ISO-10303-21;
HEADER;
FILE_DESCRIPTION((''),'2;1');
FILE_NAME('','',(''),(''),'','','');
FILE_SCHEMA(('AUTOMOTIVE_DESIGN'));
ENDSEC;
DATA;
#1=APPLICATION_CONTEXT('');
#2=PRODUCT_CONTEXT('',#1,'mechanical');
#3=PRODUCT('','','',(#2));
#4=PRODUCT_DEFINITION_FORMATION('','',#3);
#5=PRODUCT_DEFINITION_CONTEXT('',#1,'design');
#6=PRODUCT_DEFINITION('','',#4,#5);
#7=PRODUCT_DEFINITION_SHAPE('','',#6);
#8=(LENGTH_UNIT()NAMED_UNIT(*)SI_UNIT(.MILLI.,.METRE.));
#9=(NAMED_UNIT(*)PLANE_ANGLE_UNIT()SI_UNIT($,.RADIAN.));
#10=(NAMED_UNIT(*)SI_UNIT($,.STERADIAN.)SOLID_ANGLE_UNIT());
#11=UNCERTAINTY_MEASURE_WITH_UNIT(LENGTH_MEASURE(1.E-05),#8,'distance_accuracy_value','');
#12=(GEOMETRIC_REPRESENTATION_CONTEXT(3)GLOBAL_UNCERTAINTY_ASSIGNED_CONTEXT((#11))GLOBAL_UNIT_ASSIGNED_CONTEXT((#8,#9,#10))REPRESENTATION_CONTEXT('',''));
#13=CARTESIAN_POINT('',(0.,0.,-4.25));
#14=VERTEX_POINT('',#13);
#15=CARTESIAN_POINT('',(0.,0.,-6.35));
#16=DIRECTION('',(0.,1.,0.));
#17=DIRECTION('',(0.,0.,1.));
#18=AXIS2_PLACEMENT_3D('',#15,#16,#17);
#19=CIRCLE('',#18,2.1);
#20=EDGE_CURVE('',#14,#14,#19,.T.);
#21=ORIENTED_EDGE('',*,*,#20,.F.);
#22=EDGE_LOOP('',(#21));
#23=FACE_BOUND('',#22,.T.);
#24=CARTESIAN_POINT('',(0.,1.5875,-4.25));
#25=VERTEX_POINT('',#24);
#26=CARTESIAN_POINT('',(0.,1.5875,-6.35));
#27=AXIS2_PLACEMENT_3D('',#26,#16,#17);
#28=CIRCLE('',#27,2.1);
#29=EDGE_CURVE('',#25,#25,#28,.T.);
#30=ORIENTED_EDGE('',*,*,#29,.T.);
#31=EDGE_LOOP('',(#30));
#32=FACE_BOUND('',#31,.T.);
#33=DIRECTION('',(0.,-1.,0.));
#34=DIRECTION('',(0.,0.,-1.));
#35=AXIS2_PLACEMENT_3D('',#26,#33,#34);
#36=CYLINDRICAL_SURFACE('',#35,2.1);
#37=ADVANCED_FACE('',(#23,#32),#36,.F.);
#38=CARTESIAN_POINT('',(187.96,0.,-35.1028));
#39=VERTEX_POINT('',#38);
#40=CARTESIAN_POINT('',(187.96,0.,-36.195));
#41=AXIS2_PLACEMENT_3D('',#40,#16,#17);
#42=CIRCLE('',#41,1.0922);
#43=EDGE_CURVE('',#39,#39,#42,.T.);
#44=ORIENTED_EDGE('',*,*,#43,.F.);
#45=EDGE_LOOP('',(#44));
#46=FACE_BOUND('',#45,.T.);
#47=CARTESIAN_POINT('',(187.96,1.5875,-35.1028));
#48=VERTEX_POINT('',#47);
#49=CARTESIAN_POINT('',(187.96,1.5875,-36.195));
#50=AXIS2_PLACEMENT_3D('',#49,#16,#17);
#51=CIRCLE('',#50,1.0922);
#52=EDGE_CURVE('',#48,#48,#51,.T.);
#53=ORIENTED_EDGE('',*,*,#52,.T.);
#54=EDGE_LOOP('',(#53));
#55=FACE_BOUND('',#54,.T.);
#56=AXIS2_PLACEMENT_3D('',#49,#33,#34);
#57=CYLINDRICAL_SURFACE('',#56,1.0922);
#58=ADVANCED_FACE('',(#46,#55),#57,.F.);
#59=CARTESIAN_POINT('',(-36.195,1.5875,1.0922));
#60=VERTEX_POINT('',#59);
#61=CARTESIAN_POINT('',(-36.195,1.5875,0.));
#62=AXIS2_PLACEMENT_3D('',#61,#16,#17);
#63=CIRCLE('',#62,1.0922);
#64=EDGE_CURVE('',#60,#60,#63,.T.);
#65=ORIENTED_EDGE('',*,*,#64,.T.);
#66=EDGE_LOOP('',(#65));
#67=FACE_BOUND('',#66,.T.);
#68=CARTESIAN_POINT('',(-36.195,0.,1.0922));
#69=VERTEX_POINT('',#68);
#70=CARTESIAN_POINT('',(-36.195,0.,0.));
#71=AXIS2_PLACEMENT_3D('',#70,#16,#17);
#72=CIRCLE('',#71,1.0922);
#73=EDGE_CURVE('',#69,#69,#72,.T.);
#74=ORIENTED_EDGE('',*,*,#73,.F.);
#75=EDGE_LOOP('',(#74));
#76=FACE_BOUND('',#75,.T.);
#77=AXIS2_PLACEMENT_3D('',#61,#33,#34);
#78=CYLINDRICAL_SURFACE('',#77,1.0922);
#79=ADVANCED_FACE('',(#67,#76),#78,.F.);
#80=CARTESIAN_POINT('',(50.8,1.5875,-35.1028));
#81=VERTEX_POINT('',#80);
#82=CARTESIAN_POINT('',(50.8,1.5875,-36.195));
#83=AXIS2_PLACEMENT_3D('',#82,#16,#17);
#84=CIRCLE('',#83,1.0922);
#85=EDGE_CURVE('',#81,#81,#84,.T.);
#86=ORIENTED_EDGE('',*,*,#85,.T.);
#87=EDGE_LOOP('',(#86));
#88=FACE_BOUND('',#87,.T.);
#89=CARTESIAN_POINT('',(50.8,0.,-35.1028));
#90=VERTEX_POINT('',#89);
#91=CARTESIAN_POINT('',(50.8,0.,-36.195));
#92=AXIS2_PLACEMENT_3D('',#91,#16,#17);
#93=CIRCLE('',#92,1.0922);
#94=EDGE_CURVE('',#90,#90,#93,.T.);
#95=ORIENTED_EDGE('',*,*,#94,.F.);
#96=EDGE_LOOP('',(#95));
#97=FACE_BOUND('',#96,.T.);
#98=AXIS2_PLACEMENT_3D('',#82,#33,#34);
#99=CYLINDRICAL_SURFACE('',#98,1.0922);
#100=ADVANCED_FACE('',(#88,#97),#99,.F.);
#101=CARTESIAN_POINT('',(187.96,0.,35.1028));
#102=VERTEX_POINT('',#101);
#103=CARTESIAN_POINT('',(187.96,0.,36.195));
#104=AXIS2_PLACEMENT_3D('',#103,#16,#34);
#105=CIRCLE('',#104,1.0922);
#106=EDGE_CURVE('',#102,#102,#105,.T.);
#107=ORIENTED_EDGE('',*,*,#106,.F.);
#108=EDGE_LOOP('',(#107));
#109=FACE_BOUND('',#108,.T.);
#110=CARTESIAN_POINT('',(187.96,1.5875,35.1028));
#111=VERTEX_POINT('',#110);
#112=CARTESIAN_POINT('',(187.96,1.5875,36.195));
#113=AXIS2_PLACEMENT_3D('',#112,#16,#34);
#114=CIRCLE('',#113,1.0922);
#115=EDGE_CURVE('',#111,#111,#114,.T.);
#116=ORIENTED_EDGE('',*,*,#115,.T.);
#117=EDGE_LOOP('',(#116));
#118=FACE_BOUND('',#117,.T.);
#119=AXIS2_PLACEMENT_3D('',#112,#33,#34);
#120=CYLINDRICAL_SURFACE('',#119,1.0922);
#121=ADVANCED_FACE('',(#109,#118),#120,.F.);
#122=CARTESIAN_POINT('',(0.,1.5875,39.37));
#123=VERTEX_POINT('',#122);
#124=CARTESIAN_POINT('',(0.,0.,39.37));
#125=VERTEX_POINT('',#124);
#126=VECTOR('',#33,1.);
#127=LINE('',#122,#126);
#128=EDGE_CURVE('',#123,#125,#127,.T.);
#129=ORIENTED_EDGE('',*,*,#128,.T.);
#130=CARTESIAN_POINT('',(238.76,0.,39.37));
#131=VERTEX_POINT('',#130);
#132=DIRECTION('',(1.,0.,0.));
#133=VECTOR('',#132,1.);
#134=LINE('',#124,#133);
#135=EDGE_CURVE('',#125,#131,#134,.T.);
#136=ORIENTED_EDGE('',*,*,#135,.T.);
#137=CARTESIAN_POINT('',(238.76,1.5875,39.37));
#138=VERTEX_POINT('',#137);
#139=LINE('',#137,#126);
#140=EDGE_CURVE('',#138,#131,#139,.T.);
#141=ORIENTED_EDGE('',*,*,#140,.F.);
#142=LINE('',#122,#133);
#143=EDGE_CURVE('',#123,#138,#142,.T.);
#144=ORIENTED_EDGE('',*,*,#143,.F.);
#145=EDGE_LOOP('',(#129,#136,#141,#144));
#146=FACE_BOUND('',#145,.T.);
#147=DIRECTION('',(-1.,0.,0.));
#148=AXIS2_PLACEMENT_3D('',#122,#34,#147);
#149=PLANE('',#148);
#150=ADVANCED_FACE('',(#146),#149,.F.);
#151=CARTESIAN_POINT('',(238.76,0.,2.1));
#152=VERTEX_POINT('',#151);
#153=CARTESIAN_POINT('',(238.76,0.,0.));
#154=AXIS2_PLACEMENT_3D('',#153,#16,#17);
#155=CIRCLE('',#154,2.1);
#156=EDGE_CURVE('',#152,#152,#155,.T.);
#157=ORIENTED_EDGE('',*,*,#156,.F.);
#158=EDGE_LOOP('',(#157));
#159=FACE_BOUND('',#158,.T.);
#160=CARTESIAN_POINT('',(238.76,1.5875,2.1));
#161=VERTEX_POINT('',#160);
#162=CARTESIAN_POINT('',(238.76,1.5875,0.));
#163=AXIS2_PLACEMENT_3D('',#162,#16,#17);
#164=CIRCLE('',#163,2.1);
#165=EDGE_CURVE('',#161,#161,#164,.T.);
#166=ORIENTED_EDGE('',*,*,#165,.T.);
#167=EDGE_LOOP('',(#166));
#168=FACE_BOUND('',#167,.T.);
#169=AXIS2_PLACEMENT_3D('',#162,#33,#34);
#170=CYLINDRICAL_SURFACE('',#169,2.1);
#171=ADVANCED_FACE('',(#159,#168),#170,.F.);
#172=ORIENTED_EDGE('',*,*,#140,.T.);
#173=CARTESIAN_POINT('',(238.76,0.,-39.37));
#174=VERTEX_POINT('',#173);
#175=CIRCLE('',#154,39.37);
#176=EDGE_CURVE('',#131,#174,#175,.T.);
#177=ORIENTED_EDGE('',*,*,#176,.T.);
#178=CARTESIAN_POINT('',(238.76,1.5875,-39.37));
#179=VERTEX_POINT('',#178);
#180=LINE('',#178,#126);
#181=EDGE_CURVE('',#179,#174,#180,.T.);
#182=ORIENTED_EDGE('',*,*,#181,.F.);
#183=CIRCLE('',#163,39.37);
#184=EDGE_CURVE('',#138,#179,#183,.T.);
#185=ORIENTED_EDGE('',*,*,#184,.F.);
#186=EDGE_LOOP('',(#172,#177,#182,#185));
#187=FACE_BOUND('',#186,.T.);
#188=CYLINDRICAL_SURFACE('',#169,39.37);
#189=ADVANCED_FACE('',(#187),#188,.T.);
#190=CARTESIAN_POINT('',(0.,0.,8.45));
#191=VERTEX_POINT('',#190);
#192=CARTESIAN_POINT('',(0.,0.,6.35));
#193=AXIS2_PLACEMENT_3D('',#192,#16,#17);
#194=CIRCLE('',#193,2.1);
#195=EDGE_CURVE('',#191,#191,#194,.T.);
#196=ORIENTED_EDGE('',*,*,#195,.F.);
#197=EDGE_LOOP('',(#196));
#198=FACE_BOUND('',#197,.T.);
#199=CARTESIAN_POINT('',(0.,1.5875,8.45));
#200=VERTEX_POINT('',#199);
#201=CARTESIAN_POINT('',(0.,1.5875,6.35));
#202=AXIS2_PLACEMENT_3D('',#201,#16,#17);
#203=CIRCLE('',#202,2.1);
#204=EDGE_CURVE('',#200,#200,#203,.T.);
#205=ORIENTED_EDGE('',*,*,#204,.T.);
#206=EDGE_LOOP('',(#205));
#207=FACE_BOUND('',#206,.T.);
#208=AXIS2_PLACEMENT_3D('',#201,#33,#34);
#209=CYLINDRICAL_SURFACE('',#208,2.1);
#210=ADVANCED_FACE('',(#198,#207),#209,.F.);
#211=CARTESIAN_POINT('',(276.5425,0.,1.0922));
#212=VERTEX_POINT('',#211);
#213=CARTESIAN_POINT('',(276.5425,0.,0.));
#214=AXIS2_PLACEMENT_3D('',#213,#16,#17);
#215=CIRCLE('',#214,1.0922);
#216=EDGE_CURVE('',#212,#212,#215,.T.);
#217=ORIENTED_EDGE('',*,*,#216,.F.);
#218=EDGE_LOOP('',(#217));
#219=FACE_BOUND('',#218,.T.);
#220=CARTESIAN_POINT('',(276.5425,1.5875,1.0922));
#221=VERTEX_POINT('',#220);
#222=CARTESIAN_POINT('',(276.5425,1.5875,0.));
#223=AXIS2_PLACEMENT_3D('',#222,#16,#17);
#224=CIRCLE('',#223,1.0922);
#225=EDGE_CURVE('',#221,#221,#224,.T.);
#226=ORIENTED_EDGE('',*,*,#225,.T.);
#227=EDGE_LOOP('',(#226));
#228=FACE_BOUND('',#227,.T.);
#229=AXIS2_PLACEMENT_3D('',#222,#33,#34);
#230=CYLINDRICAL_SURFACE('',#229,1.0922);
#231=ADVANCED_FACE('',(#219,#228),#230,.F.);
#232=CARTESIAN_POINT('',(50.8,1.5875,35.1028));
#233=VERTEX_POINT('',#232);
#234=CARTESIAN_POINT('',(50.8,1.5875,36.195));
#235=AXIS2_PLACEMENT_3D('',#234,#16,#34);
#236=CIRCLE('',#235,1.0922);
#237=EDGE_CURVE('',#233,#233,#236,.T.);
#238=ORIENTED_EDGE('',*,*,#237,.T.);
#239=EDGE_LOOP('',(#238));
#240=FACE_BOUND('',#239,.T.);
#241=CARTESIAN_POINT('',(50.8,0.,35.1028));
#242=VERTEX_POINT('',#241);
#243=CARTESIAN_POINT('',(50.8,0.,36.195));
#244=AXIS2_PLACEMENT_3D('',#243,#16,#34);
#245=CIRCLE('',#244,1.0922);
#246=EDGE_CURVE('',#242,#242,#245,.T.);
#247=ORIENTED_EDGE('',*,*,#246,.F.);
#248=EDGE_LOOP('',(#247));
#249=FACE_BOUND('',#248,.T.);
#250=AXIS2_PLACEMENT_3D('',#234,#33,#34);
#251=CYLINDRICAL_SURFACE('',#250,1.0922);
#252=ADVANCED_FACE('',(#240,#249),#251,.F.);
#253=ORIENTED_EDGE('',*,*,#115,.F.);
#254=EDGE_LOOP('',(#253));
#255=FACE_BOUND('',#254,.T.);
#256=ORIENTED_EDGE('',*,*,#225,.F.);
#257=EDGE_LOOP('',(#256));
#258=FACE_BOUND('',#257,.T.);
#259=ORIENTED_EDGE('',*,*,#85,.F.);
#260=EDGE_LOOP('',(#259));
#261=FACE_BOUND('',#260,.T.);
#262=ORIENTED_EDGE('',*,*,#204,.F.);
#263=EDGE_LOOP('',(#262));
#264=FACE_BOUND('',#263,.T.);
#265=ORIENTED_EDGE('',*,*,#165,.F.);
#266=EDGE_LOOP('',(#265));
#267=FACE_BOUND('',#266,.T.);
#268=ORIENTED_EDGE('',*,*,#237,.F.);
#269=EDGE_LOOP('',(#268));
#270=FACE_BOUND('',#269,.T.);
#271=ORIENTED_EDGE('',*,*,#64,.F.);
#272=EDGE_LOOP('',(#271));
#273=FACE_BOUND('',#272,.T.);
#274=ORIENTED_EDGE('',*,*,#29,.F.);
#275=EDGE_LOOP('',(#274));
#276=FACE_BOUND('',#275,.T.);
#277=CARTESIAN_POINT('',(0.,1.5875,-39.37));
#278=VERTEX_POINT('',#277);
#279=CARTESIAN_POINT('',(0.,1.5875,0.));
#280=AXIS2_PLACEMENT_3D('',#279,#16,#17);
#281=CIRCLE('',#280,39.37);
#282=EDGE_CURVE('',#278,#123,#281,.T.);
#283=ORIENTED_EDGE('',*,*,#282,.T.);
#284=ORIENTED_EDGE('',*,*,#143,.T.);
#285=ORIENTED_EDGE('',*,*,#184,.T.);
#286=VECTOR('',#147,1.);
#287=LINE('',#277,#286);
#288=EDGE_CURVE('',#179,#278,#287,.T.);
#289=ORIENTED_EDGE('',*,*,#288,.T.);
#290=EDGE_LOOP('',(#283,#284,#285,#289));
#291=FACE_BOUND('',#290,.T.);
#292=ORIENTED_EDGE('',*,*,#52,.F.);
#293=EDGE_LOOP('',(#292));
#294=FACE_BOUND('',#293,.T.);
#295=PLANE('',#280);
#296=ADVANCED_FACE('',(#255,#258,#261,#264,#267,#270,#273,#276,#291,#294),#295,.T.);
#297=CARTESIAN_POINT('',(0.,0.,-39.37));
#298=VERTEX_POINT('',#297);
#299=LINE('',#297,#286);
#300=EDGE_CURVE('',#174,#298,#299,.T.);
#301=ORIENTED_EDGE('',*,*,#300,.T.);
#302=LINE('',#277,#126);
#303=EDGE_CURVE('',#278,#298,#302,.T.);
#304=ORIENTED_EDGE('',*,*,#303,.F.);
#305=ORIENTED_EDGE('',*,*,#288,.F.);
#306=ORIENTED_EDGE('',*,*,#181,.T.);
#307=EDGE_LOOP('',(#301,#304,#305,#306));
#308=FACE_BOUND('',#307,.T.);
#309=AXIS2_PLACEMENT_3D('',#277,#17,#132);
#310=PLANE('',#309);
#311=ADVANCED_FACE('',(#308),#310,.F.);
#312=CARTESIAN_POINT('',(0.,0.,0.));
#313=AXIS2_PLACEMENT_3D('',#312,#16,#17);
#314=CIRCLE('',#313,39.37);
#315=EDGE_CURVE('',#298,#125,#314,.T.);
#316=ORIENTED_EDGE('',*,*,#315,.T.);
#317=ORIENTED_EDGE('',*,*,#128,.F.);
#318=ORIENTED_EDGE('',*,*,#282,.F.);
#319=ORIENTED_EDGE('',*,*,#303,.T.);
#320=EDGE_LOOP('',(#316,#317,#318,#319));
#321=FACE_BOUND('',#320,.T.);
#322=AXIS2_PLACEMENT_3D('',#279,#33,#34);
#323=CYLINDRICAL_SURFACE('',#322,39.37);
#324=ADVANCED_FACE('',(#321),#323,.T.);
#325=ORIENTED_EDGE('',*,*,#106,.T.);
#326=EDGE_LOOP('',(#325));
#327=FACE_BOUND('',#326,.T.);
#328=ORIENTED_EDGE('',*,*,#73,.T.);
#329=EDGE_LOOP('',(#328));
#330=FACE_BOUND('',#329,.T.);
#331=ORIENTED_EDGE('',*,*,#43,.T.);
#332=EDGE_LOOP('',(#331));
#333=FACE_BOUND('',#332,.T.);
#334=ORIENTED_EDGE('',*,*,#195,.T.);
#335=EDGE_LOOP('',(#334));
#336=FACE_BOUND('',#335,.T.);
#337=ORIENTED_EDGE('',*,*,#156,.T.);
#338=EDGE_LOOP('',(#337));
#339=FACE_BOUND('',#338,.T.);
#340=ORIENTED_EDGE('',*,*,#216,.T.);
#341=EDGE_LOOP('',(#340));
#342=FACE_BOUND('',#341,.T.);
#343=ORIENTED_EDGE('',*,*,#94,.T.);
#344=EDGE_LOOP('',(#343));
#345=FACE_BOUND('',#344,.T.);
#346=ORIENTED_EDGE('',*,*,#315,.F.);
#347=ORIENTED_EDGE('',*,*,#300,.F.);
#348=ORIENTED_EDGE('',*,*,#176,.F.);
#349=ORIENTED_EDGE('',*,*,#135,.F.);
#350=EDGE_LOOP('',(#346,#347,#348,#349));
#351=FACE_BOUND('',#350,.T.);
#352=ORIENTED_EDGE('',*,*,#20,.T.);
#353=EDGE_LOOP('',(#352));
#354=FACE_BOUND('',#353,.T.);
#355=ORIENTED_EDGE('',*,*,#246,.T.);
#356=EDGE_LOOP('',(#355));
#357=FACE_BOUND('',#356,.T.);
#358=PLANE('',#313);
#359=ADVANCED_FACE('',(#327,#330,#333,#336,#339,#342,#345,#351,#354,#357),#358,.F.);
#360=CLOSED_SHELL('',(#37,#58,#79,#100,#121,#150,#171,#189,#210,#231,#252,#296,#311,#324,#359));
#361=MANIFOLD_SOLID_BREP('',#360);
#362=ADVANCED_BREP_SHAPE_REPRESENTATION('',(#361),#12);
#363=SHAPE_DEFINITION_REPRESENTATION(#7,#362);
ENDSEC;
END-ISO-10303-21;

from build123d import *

# Parameters (mm, degrees)
SKETCH1_R           = 1.0922
SKETCH1_R_2         = 2.1
BOSS_EXTRUDE1_DEPTH = 1.5875


with BuildPart() as part:
    # Sketch1 → Boss-Extrude1 (new body)
    with BuildSketch(Plane(origin=(0, 0, 0), x_dir=(1, 0, 0), z_dir=(0, 1, 0))):
        with BuildLine():
            Line((0, 39.37), (238.76, 39.37))
            ThreePointArc((238.76, 39.37), (278.13, 0), (238.76, -39.37))
            Line((238.76, -39.37), (0, -39.37))
            ThreePointArc((0, -39.37), (-39.37, 0), (0, 39.37))
        make_face()
        with Locations((50.8, 36.195)):
            Circle(SKETCH1_R, mode=Mode.SUBTRACT)
        with Locations((187.96, 36.195)):
            Circle(SKETCH1_R, mode=Mode.SUBTRACT)
        with Locations((50.8, -36.195)):
            Circle(SKETCH1_R, mode=Mode.SUBTRACT)
        with Locations((187.96, -36.195)):
            Circle(SKETCH1_R, mode=Mode.SUBTRACT)
        with Locations((-36.195, 0)):
            Circle(SKETCH1_R, mode=Mode.SUBTRACT)
        with Locations((276.5425, 0)):
            Circle(SKETCH1_R, mode=Mode.SUBTRACT)
        with Locations((238.76, 0)):
            Circle(SKETCH1_R_2, mode=Mode.SUBTRACT)
        with Locations((0, -6.35)):
            Circle(SKETCH1_R_2, mode=Mode.SUBTRACT)
        with Locations((0, 6.35)):
            Circle(SKETCH1_R_2, mode=Mode.SUBTRACT)
    extrude(amount=BOSS_EXTRUDE1_DEPTH)


solid = part.part
